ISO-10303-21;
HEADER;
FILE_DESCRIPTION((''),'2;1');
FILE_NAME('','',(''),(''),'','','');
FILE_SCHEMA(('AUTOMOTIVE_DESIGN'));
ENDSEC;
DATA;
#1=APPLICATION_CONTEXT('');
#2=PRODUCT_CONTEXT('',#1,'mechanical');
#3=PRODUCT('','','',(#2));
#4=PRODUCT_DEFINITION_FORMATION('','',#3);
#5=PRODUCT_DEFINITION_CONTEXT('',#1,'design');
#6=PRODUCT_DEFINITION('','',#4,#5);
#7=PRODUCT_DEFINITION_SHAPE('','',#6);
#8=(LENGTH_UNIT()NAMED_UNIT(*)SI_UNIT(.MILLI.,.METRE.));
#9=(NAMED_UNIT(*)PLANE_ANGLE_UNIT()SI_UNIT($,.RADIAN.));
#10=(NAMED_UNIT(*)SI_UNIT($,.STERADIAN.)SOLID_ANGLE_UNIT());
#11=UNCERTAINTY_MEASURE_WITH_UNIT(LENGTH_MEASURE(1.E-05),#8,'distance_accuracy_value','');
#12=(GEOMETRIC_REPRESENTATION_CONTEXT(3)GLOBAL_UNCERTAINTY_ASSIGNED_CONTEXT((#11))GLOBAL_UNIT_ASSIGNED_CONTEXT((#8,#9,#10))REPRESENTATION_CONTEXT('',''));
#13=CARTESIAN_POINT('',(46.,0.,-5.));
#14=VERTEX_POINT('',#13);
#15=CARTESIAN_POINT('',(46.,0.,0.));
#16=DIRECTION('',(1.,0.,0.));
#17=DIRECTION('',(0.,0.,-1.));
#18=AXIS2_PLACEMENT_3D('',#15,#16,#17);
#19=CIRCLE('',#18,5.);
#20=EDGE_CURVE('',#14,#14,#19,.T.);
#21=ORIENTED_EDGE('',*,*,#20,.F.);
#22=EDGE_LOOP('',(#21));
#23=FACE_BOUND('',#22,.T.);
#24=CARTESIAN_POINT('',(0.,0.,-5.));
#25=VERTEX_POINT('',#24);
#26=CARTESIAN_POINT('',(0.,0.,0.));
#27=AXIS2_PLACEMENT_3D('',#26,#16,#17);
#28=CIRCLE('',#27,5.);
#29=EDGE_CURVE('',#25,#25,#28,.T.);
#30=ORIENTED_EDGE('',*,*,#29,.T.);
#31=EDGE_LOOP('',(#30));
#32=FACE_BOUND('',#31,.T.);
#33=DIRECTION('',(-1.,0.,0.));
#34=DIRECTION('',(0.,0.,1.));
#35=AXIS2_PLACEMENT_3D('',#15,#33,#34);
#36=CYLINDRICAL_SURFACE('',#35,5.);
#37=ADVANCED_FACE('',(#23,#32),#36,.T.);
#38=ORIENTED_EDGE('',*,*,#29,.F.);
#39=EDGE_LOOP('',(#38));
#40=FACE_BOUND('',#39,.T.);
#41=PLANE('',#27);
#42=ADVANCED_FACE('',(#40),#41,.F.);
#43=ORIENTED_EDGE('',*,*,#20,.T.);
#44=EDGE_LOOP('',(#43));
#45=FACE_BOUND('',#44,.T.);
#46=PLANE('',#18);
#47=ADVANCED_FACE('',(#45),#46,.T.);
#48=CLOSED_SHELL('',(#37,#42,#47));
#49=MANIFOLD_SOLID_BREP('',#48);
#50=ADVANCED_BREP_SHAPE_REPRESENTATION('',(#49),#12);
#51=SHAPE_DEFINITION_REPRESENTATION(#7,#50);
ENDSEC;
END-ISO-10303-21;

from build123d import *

# Parameters (mm, degrees)
PROFILE_SKETCH_R      = 5
PROFILE_EXTRUDE_DEPTH = 46


with BuildPart() as part:
    # Profile Sketch → Profile Extrude (new body)
    with BuildSketch(Plane(origin=(0, 0, 0), x_dir=(0, 0, -1), z_dir=(1, 0, 0))):
        Circle(PROFILE_SKETCH_R)
    extrude(amount=PROFILE_EXTRUDE_DEPTH)


solid = part.part
